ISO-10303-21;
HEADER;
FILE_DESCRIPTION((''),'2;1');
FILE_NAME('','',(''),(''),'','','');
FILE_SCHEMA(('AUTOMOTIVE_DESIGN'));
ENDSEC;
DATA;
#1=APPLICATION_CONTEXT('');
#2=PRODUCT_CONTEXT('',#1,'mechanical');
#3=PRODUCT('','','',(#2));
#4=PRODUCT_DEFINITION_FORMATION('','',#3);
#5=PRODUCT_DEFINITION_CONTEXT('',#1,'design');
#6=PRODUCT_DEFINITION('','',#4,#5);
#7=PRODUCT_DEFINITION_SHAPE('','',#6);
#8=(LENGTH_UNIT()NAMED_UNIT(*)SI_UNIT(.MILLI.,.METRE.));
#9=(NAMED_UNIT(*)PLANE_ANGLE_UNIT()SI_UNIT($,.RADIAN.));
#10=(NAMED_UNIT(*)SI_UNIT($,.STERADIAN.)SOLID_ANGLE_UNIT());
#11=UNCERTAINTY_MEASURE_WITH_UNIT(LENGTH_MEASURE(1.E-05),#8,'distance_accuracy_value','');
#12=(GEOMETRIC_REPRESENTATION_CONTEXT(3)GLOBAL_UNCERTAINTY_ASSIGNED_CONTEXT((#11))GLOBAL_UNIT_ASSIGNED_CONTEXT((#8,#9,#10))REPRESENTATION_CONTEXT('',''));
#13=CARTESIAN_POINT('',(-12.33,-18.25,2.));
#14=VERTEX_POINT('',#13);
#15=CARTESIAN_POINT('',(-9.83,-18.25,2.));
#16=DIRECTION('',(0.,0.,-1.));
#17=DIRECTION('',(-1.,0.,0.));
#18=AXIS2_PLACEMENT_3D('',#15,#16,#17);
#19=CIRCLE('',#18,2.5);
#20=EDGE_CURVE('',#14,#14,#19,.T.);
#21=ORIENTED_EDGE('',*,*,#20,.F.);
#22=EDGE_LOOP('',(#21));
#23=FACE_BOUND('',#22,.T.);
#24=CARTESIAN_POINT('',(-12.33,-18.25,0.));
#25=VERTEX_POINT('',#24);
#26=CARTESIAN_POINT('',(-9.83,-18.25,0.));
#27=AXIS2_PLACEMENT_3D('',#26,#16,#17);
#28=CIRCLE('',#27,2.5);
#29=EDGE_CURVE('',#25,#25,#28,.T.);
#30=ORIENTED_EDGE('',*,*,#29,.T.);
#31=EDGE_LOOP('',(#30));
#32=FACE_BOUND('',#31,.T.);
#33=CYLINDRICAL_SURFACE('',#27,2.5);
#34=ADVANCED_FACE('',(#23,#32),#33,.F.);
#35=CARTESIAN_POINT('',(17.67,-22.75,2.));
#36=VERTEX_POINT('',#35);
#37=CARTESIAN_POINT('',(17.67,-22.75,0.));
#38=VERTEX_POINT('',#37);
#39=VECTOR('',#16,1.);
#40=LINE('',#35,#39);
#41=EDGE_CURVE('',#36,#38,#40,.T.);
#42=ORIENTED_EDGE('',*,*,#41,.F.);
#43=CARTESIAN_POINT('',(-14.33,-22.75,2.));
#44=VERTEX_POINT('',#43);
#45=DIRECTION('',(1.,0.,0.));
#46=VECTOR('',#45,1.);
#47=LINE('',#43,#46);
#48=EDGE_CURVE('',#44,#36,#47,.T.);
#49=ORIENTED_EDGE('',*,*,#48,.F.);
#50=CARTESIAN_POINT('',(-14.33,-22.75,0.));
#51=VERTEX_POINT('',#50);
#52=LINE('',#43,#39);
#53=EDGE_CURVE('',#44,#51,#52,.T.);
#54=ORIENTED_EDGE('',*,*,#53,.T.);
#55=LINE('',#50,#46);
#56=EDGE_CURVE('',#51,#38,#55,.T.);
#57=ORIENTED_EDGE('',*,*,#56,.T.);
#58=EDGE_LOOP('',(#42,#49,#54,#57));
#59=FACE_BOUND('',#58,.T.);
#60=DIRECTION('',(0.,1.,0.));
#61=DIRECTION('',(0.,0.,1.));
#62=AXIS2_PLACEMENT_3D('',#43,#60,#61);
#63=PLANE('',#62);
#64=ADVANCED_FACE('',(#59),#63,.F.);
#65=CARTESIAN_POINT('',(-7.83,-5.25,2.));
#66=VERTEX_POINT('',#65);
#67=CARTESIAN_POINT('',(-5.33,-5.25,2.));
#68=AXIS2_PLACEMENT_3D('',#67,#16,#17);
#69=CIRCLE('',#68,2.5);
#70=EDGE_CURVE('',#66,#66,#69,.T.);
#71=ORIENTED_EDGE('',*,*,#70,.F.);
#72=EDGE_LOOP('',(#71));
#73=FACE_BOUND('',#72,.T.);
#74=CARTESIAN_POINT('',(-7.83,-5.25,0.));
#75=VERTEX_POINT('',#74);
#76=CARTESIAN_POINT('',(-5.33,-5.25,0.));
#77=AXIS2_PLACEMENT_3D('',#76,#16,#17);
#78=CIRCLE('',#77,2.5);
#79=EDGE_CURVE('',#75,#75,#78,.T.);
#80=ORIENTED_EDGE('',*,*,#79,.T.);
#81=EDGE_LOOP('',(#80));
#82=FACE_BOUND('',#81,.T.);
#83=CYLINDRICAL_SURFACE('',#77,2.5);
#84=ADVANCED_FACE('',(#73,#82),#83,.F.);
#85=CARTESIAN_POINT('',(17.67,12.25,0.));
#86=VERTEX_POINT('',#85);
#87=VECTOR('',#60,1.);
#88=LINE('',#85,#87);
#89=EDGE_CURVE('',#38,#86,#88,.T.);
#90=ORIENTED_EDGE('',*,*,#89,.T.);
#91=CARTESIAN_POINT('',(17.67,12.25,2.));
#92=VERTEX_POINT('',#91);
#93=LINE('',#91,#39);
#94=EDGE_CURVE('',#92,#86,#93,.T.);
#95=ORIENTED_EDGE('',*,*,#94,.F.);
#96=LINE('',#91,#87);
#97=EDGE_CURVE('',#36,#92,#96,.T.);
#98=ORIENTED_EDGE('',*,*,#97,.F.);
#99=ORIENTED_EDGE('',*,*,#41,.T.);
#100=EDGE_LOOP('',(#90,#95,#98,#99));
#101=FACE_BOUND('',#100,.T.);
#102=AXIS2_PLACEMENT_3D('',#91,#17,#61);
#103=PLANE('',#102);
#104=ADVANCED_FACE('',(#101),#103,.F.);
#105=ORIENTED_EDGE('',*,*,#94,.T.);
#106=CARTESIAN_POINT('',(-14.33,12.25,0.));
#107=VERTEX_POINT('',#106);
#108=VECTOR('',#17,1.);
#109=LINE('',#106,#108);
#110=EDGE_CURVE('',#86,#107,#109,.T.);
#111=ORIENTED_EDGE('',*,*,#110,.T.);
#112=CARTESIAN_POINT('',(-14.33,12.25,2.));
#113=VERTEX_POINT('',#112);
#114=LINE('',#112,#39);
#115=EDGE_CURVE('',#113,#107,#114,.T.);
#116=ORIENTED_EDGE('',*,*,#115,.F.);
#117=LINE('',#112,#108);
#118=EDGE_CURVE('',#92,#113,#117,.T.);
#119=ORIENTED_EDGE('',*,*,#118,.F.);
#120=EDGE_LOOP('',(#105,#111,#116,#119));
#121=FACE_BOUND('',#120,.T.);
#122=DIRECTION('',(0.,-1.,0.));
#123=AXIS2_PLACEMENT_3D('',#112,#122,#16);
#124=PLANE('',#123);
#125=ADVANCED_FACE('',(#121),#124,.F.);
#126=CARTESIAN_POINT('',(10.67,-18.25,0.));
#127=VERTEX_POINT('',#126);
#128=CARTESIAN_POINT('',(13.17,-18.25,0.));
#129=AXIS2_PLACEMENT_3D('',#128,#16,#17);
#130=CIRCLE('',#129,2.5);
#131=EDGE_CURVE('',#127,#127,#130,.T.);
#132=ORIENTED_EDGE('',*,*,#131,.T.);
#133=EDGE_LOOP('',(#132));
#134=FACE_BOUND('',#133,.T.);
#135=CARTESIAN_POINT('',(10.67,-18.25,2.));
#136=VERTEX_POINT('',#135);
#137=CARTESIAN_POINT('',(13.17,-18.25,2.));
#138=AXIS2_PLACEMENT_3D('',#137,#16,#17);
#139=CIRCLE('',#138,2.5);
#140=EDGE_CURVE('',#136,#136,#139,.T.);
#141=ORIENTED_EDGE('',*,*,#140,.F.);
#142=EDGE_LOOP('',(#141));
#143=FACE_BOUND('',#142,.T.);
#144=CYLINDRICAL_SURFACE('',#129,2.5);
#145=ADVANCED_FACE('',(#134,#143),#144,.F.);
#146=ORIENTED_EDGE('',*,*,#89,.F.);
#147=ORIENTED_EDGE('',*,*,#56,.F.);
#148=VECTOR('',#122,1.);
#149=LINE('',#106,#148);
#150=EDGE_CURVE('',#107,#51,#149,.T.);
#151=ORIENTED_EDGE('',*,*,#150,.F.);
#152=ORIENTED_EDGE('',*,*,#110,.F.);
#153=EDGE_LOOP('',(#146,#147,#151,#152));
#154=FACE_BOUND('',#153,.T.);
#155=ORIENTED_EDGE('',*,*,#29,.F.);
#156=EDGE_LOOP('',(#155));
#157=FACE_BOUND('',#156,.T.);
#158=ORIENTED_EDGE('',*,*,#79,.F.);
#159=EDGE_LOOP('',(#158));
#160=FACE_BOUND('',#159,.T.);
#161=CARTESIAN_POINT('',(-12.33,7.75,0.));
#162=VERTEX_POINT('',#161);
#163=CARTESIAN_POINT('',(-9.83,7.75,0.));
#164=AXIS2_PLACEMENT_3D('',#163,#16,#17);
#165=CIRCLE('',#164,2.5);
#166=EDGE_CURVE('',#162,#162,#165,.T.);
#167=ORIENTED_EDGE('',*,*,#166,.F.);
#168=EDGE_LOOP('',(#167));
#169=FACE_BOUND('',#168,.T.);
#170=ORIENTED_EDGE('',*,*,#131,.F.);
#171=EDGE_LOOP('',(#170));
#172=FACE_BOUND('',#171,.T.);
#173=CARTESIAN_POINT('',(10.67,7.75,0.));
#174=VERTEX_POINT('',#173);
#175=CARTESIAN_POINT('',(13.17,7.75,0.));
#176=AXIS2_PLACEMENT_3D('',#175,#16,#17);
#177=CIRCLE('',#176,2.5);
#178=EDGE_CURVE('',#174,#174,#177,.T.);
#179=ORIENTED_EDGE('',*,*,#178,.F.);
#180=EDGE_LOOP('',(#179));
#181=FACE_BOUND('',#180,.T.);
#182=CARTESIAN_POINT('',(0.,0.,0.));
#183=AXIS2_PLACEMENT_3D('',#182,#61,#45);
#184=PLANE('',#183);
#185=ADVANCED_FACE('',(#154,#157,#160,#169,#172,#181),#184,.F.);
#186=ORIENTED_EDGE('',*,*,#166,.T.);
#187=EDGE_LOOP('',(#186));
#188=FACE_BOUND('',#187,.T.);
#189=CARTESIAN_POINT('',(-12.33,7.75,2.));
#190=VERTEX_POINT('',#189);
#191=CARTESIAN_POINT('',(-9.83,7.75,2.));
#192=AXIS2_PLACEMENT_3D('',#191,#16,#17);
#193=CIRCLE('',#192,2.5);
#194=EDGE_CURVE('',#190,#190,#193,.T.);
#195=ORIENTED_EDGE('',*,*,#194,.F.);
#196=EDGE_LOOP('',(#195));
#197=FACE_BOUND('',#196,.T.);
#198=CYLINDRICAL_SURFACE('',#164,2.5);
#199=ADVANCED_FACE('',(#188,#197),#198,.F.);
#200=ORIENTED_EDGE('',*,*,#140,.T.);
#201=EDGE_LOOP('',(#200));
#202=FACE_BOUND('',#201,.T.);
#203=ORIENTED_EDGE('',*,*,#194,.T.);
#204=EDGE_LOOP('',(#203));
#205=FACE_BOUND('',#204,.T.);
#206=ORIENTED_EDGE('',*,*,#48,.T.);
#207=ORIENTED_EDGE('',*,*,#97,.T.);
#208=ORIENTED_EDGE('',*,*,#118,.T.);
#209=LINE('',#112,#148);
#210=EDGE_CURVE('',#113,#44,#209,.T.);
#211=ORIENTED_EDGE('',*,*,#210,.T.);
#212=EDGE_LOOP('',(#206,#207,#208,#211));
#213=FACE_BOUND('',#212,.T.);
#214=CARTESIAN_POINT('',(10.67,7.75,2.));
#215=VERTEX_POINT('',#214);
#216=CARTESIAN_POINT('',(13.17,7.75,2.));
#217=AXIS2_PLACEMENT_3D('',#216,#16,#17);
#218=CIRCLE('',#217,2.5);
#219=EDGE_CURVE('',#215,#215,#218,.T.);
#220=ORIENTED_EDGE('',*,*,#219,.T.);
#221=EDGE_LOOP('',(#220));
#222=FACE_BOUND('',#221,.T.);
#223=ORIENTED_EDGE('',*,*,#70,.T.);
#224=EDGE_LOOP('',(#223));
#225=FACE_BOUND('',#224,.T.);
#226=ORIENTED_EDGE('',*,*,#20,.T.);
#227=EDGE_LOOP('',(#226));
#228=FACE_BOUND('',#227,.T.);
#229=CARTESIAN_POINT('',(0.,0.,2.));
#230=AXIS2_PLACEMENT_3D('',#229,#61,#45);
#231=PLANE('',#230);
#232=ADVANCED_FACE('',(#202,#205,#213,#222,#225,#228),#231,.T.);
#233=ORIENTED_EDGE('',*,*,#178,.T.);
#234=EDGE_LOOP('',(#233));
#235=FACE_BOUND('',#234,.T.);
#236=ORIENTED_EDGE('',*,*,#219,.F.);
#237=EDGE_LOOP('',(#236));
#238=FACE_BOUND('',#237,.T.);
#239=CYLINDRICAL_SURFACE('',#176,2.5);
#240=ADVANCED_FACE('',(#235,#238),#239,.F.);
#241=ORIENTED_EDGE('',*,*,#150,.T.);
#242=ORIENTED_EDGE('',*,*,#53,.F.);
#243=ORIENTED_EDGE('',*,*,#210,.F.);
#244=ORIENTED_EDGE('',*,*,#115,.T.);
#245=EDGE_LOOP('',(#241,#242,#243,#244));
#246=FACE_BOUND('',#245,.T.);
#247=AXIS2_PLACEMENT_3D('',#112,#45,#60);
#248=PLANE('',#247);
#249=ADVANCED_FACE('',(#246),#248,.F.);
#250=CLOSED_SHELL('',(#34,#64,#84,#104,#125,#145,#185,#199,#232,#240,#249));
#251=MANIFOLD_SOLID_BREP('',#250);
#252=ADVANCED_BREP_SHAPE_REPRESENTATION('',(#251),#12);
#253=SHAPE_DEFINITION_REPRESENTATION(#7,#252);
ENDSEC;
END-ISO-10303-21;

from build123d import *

# Parameters (mm, degrees)
SKETCH1_W           = 32
SKETCH1_H           = 35
BOSS_EXTRUDE1_DEPTH = 2
M6_TAPPED_HOLE3_D   = 5
M6_TAPPED_HOLE4_D   = 5


with BuildPart() as part:
    # Sketch1 → Boss-Extrude1 (new body)
    with BuildSketch(Plane.XY):
        with Locations((1.67, -5.25)):
            Rectangle(SKETCH1_W, SKETCH1_H)
    extrude(amount=BOSS_EXTRUDE1_DEPTH)

    # M6 Tapped Hole3 (through all)
    with Locations(Plane(origin=(0, 0, 0), x_dir=(-1, 0, 0), z_dir=(0, 0, -1))):
        with Locations((9.83, -18.25), (-13.17, -18.25), (-13.17, 7.75), (9.83, 7.75)):
            Hole(M6_TAPPED_HOLE3_D / 2)

    # M6 Tapped Hole4 (through all)
    with Locations(Plane(origin=(0, 0, 0), x_dir=(-1, 0, 0), z_dir=(0, 0, -1))):
        with Locations((5.33, -5.25)):
            Hole(M6_TAPPED_HOLE4_D / 2)


solid = part.part
